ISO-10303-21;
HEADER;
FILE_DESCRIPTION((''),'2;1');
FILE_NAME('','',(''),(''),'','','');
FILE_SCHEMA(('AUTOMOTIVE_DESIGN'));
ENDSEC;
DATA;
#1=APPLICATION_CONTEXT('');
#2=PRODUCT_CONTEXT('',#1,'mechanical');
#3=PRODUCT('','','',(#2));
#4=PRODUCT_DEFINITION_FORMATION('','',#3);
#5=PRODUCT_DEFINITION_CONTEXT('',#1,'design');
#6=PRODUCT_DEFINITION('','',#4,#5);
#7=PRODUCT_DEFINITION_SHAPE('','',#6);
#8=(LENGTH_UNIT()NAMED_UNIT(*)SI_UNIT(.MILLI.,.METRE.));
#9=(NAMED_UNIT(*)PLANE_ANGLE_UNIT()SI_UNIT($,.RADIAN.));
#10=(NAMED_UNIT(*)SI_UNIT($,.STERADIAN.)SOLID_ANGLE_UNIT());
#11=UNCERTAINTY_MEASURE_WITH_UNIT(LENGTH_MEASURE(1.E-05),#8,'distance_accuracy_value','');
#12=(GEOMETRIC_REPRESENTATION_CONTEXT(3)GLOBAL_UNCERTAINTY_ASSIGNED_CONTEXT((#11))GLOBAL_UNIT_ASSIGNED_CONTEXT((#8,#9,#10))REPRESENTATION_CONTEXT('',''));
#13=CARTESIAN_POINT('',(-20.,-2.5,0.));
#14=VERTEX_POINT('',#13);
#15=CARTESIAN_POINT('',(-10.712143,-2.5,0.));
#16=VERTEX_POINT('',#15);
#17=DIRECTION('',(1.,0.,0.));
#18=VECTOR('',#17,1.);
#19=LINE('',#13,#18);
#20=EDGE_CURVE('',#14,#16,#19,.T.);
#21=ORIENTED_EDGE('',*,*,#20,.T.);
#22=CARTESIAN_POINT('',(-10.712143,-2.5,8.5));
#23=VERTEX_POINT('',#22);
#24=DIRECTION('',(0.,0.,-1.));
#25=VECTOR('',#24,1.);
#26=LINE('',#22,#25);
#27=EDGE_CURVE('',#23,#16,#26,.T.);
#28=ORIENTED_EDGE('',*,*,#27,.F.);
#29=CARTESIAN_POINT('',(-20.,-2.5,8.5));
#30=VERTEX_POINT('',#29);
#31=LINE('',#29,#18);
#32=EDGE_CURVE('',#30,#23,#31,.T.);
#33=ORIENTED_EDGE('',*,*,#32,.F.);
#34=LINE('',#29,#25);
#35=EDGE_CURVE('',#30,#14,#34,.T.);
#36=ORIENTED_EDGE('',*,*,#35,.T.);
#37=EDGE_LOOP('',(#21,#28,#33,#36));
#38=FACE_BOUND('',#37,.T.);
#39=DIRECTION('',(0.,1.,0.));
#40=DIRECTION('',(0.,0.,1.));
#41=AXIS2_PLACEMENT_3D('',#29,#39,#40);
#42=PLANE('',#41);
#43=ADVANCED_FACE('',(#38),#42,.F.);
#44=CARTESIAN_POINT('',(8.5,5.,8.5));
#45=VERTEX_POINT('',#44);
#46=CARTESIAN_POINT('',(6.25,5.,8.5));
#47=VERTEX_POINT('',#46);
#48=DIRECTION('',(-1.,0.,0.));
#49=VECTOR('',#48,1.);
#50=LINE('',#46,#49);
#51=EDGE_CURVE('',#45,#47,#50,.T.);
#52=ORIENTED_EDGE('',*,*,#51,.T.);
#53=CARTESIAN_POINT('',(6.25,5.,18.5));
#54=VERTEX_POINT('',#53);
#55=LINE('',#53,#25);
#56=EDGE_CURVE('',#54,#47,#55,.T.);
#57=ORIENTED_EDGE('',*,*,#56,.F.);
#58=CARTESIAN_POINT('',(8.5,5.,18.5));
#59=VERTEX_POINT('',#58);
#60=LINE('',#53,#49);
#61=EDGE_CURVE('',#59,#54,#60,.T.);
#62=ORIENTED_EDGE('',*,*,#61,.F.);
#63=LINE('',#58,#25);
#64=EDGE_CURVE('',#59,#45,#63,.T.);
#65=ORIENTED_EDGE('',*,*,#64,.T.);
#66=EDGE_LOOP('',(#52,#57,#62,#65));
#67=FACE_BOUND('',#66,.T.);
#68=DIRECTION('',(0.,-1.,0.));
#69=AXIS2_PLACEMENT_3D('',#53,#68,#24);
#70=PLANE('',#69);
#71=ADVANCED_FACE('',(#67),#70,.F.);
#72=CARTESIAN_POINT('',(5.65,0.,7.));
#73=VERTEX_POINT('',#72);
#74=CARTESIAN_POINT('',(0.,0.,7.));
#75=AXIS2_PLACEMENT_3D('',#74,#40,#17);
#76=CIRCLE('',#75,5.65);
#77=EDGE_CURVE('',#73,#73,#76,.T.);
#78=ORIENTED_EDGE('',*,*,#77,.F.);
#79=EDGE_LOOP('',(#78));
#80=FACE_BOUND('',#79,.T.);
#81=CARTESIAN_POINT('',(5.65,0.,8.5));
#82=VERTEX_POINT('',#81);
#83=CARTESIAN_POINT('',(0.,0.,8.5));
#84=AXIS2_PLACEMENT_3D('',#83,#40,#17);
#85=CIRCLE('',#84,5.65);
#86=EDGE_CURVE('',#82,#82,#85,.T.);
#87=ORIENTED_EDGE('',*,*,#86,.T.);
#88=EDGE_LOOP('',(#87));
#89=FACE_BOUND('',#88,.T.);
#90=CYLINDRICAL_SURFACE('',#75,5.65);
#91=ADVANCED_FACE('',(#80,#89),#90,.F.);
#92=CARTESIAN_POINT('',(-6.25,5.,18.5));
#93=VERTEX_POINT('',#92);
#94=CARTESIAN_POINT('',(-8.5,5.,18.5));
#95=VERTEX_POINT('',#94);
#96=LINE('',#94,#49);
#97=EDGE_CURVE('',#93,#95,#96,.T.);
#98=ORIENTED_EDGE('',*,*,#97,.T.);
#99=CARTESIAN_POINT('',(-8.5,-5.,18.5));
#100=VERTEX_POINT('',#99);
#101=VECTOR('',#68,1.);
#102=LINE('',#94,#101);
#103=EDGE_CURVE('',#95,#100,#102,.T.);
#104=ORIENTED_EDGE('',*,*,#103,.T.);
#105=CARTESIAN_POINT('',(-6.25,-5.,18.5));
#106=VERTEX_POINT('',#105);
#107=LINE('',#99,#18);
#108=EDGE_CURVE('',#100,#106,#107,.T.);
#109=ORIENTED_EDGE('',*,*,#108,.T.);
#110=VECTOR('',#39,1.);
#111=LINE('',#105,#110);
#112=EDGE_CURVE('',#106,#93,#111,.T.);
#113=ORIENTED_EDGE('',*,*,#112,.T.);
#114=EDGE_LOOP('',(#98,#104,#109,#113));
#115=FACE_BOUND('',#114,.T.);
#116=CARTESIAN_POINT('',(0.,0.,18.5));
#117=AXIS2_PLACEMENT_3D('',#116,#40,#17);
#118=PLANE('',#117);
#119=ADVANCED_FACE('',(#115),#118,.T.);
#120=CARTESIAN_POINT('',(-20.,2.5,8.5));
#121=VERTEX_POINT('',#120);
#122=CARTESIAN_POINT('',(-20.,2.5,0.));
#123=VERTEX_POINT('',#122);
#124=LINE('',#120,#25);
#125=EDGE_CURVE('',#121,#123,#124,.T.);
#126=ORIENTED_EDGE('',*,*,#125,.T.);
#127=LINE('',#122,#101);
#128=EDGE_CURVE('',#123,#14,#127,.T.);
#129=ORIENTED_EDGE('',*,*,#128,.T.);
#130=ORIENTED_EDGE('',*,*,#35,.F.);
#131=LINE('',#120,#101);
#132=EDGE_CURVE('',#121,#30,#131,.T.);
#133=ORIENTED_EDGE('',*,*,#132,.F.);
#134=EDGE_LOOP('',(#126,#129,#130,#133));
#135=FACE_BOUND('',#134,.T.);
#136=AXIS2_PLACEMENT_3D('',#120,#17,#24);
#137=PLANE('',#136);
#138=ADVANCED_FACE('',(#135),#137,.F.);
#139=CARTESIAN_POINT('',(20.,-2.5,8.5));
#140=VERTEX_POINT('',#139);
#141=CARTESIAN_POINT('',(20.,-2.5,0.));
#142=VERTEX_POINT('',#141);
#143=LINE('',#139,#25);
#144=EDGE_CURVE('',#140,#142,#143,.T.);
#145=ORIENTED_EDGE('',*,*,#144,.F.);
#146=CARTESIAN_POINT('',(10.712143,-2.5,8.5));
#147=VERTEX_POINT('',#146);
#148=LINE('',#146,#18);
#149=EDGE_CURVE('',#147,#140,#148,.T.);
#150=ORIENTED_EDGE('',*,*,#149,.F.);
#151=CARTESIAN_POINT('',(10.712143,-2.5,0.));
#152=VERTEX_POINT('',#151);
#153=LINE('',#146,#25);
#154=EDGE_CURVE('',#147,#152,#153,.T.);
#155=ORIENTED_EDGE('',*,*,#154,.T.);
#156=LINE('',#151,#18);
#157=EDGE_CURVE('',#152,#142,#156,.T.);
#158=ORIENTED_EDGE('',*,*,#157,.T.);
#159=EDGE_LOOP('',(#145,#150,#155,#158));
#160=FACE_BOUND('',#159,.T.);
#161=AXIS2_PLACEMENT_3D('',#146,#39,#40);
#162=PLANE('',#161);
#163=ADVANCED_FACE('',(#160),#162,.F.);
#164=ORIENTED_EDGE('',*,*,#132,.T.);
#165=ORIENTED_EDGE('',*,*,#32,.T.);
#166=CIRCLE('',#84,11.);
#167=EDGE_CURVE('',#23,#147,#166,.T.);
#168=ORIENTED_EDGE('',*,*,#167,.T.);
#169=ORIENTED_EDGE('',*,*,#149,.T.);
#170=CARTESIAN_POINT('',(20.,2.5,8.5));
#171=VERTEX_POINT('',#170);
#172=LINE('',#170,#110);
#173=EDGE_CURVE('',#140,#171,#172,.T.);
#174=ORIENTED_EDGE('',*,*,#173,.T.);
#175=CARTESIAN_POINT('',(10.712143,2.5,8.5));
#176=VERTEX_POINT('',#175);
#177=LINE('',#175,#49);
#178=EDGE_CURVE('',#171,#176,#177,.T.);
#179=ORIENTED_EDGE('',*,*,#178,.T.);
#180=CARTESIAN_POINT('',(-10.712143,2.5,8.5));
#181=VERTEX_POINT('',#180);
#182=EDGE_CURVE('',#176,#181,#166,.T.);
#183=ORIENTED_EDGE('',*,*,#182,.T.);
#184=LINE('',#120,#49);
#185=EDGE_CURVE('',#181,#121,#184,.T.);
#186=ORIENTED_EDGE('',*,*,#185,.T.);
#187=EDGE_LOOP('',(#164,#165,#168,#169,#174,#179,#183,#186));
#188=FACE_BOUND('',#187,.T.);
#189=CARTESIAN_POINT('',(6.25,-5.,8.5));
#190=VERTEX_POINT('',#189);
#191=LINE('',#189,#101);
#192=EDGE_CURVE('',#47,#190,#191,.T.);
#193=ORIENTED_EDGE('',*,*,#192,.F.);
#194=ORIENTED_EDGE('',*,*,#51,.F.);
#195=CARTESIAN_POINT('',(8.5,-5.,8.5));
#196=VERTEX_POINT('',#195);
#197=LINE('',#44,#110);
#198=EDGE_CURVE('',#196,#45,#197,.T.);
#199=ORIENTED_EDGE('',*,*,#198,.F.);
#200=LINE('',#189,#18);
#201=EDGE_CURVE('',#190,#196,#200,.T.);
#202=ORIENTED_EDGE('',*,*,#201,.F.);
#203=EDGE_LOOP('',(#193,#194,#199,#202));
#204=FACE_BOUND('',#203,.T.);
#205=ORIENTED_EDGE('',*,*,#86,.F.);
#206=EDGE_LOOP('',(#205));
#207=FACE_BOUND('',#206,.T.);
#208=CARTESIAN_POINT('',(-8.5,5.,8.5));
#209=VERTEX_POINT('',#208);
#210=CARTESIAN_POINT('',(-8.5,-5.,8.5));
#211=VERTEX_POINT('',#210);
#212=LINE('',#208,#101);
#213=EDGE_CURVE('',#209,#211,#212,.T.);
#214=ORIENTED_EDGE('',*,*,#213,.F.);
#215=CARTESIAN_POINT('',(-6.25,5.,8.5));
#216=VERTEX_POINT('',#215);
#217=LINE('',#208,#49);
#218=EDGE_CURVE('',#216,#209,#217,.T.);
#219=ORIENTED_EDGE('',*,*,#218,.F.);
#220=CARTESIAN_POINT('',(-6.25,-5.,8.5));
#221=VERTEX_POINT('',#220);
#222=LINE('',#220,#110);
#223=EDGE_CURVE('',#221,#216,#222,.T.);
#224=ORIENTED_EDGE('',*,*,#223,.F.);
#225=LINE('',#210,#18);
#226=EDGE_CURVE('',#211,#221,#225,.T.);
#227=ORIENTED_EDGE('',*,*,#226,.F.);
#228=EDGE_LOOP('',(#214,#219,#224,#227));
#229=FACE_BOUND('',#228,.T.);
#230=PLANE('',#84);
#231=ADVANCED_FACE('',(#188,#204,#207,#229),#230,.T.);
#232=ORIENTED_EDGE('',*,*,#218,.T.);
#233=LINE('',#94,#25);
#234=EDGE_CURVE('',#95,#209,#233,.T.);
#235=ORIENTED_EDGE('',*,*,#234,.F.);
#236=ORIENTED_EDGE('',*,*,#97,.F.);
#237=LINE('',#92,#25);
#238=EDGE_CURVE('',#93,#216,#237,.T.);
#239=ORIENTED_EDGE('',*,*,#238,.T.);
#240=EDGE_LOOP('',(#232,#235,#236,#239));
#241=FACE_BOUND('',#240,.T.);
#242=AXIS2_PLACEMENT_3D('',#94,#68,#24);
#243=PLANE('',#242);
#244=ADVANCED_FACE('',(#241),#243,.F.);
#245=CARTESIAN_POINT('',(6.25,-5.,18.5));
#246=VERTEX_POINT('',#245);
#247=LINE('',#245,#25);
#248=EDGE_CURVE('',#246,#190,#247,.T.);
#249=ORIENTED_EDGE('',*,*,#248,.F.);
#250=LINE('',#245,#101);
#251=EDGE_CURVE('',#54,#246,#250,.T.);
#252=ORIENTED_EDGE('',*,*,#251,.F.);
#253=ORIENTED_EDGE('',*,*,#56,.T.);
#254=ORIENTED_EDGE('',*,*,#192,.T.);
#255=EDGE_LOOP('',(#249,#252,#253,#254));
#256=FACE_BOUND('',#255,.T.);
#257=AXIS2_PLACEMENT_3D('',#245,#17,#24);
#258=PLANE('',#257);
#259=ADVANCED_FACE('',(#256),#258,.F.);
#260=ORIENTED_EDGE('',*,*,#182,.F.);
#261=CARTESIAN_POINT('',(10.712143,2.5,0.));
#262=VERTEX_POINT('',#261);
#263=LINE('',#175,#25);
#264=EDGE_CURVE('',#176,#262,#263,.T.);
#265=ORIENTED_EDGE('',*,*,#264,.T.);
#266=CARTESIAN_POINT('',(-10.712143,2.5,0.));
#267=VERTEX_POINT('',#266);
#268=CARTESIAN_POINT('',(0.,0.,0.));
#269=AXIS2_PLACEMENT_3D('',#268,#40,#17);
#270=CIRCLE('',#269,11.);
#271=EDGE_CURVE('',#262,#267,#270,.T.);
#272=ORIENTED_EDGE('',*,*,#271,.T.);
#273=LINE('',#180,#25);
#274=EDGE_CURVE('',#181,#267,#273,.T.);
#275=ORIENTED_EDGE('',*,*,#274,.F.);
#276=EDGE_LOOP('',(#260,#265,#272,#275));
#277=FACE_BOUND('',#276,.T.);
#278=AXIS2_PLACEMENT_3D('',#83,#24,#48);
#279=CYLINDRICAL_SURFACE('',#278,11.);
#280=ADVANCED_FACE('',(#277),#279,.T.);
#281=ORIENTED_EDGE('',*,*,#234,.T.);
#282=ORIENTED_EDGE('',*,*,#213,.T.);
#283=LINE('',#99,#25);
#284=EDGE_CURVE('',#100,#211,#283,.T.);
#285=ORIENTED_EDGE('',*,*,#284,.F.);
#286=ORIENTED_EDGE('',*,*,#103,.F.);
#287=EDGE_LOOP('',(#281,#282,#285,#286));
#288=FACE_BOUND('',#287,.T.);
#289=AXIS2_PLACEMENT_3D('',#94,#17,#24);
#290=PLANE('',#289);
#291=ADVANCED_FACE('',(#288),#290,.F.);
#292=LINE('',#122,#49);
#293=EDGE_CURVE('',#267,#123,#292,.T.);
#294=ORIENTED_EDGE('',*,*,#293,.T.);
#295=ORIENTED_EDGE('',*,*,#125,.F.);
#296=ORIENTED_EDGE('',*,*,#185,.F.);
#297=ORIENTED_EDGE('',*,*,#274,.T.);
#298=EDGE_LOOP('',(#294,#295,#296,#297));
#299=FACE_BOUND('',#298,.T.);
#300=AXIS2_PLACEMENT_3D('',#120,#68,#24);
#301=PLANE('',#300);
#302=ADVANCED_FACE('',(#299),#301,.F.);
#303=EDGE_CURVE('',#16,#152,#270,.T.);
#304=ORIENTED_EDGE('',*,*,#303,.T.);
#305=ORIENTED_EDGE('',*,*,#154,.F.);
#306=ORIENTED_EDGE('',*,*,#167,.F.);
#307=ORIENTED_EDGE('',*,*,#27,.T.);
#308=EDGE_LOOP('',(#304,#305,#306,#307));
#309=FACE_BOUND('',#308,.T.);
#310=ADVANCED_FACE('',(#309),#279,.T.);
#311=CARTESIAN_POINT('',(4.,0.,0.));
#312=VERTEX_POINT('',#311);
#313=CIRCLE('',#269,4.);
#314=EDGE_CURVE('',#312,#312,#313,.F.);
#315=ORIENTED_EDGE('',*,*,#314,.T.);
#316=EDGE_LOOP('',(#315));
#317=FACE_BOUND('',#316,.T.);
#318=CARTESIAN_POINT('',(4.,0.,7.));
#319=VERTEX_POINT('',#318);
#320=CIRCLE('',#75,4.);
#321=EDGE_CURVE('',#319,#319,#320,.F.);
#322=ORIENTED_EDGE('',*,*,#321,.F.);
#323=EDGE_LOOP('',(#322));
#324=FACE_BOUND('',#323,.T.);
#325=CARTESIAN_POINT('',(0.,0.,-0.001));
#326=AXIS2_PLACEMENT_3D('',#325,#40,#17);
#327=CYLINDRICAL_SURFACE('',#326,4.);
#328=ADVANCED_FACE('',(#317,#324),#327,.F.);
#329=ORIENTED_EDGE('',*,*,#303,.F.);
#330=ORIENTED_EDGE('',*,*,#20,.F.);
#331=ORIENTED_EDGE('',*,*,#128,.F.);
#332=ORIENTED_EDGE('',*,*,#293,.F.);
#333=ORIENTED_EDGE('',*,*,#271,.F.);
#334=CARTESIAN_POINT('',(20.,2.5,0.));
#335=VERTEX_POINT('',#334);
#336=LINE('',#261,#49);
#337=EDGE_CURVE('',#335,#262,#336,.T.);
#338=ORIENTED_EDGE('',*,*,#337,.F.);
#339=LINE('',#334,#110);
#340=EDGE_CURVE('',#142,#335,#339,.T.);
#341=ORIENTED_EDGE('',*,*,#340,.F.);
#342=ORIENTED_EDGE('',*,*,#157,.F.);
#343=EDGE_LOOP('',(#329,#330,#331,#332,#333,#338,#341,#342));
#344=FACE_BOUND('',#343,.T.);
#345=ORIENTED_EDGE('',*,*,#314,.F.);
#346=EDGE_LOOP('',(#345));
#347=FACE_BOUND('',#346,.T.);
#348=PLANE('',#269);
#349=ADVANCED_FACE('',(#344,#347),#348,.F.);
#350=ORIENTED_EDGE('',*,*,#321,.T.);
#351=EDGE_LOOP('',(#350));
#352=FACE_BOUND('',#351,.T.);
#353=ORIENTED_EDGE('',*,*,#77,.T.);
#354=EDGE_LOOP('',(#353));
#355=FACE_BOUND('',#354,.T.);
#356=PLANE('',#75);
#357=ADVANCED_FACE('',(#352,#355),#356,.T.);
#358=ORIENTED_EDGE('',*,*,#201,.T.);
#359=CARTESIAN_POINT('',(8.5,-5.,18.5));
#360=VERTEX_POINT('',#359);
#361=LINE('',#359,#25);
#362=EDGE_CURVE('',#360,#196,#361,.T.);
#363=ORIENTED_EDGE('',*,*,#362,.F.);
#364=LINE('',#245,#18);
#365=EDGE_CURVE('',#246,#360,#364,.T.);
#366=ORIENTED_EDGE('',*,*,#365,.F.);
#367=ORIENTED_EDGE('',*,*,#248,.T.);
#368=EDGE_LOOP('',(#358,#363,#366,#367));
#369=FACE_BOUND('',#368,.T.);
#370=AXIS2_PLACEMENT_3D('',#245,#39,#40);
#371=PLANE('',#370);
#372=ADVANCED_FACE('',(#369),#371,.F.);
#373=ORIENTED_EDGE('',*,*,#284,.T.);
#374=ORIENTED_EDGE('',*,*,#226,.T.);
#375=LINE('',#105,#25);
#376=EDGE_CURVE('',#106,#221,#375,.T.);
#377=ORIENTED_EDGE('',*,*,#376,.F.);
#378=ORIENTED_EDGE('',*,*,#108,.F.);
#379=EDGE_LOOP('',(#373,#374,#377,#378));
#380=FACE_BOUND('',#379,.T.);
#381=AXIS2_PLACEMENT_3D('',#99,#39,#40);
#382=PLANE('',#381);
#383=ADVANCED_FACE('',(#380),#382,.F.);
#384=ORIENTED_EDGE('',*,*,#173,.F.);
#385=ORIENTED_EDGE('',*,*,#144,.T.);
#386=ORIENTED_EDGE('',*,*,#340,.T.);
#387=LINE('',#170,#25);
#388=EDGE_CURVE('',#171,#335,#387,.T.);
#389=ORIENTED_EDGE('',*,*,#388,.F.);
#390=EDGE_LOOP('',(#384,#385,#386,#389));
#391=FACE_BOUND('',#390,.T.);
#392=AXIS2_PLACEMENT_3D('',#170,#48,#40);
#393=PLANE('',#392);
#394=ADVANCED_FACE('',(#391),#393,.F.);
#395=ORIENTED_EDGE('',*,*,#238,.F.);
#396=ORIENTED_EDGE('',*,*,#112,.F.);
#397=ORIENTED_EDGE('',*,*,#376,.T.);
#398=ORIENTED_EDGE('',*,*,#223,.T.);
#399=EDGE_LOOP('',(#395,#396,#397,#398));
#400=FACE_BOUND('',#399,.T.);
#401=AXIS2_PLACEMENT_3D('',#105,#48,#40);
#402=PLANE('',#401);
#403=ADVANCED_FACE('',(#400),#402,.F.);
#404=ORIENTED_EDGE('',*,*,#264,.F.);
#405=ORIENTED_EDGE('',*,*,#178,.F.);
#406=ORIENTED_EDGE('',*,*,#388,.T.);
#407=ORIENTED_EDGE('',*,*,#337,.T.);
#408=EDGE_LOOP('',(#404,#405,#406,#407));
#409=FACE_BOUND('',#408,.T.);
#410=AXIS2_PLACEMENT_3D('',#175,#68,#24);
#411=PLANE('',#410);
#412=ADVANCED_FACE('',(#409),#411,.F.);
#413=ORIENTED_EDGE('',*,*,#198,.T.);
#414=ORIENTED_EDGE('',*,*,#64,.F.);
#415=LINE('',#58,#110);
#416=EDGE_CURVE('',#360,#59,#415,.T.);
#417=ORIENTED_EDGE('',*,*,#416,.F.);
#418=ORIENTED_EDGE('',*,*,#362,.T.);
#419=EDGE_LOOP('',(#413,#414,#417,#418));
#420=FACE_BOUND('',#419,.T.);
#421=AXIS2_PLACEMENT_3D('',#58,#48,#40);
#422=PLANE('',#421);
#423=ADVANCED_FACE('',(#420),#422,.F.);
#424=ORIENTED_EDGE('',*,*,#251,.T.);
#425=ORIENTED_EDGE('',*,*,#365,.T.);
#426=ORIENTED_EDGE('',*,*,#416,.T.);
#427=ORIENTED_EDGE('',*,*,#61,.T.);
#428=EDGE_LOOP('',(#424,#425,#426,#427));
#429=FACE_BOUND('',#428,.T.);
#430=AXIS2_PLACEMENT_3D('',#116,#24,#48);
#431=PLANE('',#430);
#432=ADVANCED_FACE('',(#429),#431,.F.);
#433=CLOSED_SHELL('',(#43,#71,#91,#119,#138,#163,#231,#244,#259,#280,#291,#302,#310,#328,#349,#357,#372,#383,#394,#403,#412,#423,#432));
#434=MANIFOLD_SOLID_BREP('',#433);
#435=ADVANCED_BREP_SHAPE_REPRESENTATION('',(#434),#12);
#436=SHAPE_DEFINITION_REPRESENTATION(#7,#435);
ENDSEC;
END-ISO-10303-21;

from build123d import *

# Parameters (mm, degrees)
BOSS_EXTRUDE1_DEPTH = 8.5
CUT_EXTRUDE1_REACH  = 26.357
SKETCH2_R           = 4
SKETCH3_W           = 2.25
SKETCH3_H           = 10
BOSS_EXTRUDE3_DEPTH = 10
SKETCH4_R           = 5.65
CUT_EXTRUDE2_DEPTH  = 1.5


with BuildPart() as part:
    # Sketch1 → Boss-Extrude1 (new body)
    with BuildSketch(Plane.XY):
        with BuildLine():
            Line((10.712142643, 2.5), (20, 2.5))
            Line((20, 2.5), (20, -2.5))
            Line((20, -2.5), (10.712142643, -2.5))
            ThreePointArc((10.712142643, -2.5), (0, -11), (-10.712142643, -2.5))
            Line((-10.712142643, -2.5), (-20, -2.5))
            Line((-20, -2.5), (-20, 2.5))
            Line((-20, 2.5), (-10.712142643, 2.5))
            ThreePointArc((-10.712142643, 2.5), (0, 11), (10.712142643, 2.5))
        make_face()
    extrude(amount=BOSS_EXTRUDE1_DEPTH)

    # Sketch2 → Cut-Extrude1 (cut, up to next)
    with BuildSketch(Plane.XY.offset(8.5), mode=Mode.PRIVATE) as cut_extrude1_sk1:
        Circle(SKETCH2_R)
    cut_extrude1_tool1 = extrude(cut_extrude1_sk1.sketch, amount=-CUT_EXTRUDE1_REACH, mode=Mode.PRIVATE) & part.part
    add(cut_extrude1_tool1.solids().sort_by_distance((0, 0, 8.5))[0], mode=Mode.SUBTRACT)

    # Sketch3 → Boss-Extrude3 (add)
    with BuildSketch(Plane.XY.offset(8.5)):
        with Locations((7.375, 0)):
            Rectangle(SKETCH3_W, SKETCH3_H)
        with Locations((-7.375, 0)):
            Rectangle(SKETCH3_W, SKETCH3_H)
    extrude(amount=BOSS_EXTRUDE3_DEPTH)

    # Sketch4 → Cut-Extrude2 (cut)
    with BuildSketch(Plane.XY.offset(8.5)):
        Circle(SKETCH4_R)
    extrude(amount=-CUT_EXTRUDE2_DEPTH, mode=Mode.SUBTRACT)


solid = part.part
